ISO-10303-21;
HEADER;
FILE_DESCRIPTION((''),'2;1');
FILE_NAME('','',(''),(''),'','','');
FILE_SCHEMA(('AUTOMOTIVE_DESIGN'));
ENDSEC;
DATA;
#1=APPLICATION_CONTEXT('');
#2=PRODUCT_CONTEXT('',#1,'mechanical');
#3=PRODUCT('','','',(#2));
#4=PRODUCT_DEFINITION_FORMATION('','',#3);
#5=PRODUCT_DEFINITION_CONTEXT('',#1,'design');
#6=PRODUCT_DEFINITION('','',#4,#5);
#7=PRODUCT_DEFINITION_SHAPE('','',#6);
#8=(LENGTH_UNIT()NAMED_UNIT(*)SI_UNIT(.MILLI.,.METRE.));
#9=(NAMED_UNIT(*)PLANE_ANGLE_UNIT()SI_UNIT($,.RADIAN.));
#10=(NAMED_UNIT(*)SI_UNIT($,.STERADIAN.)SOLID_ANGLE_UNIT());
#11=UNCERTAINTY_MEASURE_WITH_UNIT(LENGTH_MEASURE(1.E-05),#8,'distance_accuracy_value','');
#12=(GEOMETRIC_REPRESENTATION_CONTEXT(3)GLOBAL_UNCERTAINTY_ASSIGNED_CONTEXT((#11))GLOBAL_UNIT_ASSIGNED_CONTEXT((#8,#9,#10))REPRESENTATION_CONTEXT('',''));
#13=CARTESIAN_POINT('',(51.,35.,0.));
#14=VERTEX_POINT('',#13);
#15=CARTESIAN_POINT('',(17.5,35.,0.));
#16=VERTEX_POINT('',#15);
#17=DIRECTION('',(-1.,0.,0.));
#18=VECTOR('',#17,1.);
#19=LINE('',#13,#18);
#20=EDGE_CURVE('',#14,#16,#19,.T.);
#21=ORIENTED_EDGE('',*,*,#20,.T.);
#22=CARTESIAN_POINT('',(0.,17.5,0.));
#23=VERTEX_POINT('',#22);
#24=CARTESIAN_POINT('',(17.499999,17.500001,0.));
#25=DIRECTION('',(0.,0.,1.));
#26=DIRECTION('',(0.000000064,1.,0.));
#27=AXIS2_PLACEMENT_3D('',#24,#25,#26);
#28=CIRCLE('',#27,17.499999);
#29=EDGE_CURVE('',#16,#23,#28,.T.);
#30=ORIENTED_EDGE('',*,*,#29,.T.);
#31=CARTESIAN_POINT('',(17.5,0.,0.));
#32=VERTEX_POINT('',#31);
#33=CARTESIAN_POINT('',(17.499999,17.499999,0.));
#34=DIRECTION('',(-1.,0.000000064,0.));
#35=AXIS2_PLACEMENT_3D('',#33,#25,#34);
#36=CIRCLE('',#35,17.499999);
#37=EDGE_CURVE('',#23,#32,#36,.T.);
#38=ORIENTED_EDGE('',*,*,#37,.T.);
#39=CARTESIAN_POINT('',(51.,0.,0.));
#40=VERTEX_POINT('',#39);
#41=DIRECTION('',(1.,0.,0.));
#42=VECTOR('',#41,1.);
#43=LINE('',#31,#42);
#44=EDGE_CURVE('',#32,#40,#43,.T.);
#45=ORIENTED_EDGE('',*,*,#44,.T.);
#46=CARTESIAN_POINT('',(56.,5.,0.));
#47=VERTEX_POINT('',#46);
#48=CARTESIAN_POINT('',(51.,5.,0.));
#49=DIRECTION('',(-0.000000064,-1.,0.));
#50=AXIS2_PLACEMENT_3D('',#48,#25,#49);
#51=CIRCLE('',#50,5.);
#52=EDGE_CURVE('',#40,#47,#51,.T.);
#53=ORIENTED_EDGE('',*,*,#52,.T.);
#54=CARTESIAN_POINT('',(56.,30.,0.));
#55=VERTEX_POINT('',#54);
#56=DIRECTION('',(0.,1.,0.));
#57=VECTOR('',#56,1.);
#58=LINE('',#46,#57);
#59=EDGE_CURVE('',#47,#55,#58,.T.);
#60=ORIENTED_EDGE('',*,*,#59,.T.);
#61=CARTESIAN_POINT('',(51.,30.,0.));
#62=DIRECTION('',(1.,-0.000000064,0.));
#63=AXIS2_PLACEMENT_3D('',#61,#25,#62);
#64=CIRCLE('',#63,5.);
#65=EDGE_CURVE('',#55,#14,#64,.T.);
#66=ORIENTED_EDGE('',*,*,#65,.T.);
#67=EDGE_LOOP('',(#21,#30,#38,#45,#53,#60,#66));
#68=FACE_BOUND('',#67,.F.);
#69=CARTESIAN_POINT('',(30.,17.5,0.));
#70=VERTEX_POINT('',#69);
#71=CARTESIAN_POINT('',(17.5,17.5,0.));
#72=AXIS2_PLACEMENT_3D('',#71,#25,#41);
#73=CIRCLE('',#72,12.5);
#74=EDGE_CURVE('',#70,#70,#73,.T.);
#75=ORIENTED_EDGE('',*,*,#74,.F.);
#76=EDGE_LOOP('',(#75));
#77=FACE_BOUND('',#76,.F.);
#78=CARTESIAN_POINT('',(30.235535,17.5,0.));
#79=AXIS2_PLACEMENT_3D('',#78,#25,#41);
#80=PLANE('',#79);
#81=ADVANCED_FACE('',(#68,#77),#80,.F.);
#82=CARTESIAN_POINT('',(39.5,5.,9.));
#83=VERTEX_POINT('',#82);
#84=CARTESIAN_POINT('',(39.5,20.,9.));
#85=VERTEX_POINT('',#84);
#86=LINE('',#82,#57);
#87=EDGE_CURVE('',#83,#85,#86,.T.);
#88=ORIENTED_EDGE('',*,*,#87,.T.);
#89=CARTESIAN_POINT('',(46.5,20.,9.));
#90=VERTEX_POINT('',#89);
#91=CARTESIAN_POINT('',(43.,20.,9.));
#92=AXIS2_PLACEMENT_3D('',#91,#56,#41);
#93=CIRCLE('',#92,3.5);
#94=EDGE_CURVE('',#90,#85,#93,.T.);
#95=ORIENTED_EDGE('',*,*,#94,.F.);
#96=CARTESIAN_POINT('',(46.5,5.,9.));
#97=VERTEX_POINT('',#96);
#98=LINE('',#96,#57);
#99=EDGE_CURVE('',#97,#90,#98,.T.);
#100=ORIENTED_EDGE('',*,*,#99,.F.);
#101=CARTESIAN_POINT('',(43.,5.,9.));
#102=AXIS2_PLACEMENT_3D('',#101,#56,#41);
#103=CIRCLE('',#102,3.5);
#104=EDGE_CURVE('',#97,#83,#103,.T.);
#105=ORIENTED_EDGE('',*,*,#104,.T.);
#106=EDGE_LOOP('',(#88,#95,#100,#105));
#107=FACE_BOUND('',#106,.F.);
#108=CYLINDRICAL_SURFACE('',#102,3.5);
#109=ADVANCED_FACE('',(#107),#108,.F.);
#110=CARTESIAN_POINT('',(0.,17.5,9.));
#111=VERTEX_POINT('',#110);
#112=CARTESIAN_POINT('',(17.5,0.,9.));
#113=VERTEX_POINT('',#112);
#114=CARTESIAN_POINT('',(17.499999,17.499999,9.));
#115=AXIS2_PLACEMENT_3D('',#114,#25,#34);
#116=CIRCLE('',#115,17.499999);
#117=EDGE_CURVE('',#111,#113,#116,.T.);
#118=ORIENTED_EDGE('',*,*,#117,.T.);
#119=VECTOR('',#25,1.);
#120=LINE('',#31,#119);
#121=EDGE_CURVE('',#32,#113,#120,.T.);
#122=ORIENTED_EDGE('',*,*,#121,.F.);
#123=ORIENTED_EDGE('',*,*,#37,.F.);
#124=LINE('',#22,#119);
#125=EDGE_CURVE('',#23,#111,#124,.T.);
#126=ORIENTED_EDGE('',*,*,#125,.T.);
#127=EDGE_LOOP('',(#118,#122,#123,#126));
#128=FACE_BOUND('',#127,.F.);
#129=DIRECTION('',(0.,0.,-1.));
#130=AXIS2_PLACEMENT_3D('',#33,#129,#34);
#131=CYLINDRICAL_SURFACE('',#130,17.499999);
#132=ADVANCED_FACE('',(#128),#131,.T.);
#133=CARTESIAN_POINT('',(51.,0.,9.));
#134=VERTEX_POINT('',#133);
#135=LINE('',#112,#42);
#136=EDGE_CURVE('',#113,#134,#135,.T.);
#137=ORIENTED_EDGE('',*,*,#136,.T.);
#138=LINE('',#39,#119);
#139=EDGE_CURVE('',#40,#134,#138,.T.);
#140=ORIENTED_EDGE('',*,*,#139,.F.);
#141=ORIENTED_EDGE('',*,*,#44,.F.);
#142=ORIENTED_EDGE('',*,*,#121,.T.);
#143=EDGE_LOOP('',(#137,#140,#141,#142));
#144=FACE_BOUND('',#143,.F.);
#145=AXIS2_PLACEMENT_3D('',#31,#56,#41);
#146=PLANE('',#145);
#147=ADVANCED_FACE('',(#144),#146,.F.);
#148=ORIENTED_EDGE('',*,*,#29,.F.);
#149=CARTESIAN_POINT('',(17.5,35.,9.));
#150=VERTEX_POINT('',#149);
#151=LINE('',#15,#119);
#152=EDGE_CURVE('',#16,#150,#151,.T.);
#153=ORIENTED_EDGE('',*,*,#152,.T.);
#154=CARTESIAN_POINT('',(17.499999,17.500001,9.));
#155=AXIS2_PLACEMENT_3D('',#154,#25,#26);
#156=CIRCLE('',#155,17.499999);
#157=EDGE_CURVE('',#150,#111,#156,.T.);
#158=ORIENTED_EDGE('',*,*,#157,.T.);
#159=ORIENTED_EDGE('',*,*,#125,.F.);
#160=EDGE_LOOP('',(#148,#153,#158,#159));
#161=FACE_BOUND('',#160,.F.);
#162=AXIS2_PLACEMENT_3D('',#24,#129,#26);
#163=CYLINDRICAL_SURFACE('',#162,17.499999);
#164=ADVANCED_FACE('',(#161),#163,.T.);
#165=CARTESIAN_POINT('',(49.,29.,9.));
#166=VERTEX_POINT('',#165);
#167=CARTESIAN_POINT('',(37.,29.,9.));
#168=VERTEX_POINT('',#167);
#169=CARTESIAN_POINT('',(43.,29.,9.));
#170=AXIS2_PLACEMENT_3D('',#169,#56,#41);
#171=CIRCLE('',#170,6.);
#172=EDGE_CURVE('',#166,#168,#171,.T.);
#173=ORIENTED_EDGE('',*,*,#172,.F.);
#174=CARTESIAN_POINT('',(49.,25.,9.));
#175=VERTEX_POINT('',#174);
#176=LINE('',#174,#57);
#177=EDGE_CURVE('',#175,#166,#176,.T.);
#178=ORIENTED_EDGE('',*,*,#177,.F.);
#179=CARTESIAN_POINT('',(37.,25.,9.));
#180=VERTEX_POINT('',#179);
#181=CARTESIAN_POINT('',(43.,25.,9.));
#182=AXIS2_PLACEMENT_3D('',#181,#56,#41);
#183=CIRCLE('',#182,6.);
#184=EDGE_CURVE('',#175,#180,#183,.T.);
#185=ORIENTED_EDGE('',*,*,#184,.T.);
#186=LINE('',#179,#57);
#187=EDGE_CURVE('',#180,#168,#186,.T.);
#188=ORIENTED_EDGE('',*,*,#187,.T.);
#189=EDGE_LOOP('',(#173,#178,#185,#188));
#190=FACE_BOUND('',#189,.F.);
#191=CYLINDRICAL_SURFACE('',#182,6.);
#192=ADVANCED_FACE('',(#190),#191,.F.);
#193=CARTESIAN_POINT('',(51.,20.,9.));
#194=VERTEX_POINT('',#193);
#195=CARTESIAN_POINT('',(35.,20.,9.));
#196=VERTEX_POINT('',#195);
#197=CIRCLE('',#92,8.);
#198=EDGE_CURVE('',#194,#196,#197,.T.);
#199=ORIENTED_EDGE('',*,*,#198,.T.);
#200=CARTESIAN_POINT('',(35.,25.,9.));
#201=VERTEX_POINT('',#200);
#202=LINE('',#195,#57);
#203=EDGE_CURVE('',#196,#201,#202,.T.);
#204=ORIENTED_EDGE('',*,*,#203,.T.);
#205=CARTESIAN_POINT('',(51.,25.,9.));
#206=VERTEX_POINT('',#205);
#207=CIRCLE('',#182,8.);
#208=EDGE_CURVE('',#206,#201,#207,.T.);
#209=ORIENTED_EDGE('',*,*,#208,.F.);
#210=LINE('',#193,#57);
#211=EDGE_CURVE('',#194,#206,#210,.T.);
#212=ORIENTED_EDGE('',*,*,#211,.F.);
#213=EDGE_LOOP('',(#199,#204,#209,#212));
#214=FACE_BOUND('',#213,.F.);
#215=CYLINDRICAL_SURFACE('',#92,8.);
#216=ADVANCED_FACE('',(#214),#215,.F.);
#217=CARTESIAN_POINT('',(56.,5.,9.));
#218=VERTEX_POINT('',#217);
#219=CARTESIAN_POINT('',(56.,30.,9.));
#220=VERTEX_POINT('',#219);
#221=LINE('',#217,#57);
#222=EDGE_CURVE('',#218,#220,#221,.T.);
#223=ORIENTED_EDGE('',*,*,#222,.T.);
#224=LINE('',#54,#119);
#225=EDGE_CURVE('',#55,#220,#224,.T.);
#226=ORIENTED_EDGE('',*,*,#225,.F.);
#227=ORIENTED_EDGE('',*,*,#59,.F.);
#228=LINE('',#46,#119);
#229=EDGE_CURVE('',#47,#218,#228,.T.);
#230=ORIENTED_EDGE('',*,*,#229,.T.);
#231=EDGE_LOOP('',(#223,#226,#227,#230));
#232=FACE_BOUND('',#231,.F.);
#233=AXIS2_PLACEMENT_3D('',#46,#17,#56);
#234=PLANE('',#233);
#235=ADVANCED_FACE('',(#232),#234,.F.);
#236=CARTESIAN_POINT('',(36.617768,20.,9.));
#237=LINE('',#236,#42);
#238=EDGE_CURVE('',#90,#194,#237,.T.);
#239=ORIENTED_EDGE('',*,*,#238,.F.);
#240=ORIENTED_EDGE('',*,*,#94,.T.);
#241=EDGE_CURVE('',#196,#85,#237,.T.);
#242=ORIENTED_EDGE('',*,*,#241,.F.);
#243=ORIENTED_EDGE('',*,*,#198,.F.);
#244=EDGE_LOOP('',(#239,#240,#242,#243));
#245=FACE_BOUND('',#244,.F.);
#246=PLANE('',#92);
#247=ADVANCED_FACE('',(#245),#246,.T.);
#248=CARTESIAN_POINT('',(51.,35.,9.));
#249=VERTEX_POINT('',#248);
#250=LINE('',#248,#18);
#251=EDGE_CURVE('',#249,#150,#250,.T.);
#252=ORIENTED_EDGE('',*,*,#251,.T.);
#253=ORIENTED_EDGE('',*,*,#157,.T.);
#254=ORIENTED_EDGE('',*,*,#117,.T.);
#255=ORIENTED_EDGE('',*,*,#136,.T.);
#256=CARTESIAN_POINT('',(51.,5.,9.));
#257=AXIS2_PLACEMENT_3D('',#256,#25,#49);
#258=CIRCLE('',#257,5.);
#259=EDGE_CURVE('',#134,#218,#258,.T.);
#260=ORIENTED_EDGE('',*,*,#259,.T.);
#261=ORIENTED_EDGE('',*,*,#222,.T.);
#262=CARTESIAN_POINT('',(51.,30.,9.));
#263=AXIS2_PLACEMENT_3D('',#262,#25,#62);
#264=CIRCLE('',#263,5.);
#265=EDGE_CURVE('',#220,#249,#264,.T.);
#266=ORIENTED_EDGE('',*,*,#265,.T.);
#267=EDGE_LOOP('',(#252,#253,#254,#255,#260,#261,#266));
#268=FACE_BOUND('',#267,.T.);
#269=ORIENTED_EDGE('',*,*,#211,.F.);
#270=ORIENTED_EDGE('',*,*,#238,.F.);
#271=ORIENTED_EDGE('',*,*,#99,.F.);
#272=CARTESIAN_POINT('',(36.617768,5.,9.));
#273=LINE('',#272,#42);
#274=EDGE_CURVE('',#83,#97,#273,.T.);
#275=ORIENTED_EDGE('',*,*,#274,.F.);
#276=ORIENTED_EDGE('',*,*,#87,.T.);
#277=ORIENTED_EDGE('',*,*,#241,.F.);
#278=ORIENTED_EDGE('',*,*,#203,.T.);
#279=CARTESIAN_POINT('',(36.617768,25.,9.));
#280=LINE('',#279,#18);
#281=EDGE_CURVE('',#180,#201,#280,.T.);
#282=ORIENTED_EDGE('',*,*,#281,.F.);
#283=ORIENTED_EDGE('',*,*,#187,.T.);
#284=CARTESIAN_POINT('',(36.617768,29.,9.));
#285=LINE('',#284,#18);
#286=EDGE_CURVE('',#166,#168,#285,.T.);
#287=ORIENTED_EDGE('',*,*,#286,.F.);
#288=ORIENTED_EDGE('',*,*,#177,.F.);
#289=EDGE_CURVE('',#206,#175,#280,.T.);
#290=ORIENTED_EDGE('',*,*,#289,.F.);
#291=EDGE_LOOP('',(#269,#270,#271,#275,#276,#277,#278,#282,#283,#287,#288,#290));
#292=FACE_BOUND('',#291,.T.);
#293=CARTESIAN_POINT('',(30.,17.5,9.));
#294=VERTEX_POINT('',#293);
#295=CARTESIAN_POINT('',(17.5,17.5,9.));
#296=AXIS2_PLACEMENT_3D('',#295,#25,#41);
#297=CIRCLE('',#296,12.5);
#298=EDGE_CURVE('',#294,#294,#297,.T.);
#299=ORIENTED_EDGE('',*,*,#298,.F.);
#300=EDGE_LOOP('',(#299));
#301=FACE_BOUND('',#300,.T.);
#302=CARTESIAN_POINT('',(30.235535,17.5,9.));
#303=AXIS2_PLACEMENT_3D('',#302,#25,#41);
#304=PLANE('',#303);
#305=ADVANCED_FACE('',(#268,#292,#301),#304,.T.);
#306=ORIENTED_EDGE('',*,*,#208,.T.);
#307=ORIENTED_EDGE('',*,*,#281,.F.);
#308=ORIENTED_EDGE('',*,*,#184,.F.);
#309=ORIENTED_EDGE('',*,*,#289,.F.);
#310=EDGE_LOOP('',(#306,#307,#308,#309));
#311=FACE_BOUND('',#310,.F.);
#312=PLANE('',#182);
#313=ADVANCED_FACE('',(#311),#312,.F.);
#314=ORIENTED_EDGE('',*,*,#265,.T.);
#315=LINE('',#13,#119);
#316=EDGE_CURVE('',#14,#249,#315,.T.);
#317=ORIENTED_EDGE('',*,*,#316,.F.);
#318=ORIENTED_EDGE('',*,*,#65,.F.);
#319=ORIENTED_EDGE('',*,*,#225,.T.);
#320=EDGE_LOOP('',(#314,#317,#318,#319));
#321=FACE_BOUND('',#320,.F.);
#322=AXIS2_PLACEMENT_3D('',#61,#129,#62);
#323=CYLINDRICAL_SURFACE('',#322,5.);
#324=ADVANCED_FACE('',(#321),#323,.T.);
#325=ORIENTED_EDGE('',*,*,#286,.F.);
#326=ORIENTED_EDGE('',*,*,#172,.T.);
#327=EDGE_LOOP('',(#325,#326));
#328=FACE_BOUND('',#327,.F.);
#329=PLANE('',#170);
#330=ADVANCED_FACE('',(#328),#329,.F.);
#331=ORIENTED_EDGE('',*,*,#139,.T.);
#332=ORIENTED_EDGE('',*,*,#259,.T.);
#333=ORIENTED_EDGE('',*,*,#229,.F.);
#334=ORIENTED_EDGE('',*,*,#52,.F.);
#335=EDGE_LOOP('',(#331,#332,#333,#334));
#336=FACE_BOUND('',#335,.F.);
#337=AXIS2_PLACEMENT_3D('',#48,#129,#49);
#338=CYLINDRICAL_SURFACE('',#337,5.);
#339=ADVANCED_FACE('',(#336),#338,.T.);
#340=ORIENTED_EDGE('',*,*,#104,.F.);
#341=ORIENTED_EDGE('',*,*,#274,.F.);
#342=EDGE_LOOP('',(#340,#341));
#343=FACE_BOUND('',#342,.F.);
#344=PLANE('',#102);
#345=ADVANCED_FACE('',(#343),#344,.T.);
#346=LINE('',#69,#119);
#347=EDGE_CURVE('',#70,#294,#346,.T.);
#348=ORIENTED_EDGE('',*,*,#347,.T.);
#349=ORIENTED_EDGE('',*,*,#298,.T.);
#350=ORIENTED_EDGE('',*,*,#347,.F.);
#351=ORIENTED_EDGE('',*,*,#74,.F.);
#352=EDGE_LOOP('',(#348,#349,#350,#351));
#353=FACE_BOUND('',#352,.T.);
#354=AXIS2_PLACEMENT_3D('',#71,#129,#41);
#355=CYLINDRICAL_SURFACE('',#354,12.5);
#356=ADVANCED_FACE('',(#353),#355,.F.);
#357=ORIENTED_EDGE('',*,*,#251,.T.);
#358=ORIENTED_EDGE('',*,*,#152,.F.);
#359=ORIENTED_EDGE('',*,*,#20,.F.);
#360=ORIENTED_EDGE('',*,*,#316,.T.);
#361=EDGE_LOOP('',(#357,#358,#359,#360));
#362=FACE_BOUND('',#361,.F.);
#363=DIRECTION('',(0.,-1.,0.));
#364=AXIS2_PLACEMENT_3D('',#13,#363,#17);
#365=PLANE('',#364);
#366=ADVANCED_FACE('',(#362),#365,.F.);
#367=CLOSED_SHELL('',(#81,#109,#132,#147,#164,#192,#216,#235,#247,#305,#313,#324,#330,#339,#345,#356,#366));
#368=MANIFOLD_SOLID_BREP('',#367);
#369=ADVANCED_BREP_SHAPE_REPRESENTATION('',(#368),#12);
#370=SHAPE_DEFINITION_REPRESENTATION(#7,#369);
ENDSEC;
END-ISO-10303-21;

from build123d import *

# Parameters (mm, degrees)
F0_R     = 12.5
F1_DEPTH = 9


with BuildPart() as f1:
    # F0 (on Top) → F1 (new body)
    with BuildSketch(Plane.XY):
        with BuildLine():
            ThreePointArc((0, 17.5), (5.125631, 5.125631), (17.5, 0))
            Line((17.5, 0), (51, 0))
            ThreePointArc((51, 0), (54.535534, 1.464466), (56, 5))
            Line((56, 5), (56, 30))
            ThreePointArc((56, 30), (54.535534, 33.535534), (51, 35))
            Line((51, 35), (17.5, 35))
            ThreePointArc((17.5, 35), (5.125631, 29.874369), (0, 17.5))
        make_face()
        with Locations((17.5, 17.5)):
            Circle(F0_R, mode=Mode.SUBTRACT)
    extrude(amount=F1_DEPTH)

    # F2 (on face) → F3 (revolve, cut)
    with BuildSketch(Plane.XY.offset(9)):
        Polygon((43, 20), (43, 5), (46.5, 5), (46.5, 20), (51, 20), (51, 25), (49, 25), (49, 29), (43, 29), (43, 25), align=None)
    revolve(axis=Axis((43, 12.5, 9), (0, 1, 0)), mode=Mode.SUBTRACT)


solid = f1.part
